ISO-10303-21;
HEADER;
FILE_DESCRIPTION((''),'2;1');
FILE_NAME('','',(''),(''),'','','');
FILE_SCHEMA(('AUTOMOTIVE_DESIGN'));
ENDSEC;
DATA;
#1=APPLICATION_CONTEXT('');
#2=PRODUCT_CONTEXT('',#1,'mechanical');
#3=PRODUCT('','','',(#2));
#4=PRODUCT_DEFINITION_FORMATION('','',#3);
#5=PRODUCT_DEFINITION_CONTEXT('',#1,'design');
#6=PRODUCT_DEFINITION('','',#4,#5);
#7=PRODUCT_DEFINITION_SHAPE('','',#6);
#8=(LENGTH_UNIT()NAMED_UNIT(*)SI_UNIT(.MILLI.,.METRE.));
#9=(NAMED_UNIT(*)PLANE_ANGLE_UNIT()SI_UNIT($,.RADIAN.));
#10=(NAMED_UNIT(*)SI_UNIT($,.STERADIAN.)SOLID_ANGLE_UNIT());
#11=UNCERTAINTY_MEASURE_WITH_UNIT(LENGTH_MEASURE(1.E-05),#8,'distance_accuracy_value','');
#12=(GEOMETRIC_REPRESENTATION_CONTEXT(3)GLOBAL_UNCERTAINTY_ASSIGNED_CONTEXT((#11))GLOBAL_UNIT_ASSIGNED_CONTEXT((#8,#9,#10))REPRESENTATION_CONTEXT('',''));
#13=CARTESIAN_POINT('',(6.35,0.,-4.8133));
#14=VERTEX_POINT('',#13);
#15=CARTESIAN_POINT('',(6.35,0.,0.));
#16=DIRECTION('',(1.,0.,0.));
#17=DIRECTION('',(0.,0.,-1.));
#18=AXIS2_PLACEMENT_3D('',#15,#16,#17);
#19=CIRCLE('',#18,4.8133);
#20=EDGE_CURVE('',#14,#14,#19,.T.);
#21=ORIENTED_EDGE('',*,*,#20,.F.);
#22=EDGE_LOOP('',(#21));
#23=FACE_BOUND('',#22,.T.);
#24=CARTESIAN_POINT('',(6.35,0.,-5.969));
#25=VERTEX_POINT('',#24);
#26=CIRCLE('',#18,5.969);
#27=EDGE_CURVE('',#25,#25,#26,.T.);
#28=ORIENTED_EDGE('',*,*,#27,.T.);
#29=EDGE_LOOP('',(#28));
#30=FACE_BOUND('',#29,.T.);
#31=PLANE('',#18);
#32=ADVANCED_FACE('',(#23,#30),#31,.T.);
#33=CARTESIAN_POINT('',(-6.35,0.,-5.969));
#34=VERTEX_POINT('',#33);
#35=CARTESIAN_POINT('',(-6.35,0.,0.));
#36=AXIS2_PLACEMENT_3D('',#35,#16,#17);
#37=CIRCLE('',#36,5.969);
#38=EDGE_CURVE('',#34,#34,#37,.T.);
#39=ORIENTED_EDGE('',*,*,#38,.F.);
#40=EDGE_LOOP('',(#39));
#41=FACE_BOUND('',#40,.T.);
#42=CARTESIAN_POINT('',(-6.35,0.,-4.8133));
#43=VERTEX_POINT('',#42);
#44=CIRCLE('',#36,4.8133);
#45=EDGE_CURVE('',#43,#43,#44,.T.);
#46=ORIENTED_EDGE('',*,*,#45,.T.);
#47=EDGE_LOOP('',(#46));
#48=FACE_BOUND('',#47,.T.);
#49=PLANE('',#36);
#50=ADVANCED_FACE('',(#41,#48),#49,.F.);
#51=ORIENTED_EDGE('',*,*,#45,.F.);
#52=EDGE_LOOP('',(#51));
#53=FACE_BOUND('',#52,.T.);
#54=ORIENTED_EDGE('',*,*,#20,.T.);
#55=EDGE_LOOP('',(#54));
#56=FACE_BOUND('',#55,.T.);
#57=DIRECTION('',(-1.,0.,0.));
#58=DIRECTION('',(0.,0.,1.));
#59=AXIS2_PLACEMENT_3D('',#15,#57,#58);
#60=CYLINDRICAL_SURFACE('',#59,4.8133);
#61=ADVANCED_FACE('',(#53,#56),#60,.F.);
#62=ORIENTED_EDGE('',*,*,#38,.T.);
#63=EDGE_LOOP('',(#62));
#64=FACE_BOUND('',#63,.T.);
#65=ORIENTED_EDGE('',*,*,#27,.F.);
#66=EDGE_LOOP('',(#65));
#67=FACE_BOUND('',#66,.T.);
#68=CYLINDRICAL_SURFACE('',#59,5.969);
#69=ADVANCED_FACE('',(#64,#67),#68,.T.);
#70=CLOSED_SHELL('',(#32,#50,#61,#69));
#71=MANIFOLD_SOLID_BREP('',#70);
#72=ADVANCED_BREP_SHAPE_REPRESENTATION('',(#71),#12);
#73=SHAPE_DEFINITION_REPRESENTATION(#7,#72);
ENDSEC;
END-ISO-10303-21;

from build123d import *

# Parameters (mm, degrees)
SKETCH3_R                = 5.969
SKETCH3_R_2              = 4.8133
BOSS_EXTRUDE1_DEPTH      = 6.35
BOSS_EXTRUDE1_DEPTH_BACK = 6.35


with BuildPart() as part:
    # Sketch3 → Boss-Extrude1 (new body, two sides)
    with BuildSketch(Plane(origin=(0, 0, 0), x_dir=(0, 0, -1), z_dir=(1, 0, 0))) as boss_extrude1_sk:
        Circle(SKETCH3_R)
        Circle(SKETCH3_R_2, mode=Mode.SUBTRACT)
    extrude(amount=BOSS_EXTRUDE1_DEPTH)
    extrude(boss_extrude1_sk.sketch, amount=-BOSS_EXTRUDE1_DEPTH_BACK)


solid = part.part
